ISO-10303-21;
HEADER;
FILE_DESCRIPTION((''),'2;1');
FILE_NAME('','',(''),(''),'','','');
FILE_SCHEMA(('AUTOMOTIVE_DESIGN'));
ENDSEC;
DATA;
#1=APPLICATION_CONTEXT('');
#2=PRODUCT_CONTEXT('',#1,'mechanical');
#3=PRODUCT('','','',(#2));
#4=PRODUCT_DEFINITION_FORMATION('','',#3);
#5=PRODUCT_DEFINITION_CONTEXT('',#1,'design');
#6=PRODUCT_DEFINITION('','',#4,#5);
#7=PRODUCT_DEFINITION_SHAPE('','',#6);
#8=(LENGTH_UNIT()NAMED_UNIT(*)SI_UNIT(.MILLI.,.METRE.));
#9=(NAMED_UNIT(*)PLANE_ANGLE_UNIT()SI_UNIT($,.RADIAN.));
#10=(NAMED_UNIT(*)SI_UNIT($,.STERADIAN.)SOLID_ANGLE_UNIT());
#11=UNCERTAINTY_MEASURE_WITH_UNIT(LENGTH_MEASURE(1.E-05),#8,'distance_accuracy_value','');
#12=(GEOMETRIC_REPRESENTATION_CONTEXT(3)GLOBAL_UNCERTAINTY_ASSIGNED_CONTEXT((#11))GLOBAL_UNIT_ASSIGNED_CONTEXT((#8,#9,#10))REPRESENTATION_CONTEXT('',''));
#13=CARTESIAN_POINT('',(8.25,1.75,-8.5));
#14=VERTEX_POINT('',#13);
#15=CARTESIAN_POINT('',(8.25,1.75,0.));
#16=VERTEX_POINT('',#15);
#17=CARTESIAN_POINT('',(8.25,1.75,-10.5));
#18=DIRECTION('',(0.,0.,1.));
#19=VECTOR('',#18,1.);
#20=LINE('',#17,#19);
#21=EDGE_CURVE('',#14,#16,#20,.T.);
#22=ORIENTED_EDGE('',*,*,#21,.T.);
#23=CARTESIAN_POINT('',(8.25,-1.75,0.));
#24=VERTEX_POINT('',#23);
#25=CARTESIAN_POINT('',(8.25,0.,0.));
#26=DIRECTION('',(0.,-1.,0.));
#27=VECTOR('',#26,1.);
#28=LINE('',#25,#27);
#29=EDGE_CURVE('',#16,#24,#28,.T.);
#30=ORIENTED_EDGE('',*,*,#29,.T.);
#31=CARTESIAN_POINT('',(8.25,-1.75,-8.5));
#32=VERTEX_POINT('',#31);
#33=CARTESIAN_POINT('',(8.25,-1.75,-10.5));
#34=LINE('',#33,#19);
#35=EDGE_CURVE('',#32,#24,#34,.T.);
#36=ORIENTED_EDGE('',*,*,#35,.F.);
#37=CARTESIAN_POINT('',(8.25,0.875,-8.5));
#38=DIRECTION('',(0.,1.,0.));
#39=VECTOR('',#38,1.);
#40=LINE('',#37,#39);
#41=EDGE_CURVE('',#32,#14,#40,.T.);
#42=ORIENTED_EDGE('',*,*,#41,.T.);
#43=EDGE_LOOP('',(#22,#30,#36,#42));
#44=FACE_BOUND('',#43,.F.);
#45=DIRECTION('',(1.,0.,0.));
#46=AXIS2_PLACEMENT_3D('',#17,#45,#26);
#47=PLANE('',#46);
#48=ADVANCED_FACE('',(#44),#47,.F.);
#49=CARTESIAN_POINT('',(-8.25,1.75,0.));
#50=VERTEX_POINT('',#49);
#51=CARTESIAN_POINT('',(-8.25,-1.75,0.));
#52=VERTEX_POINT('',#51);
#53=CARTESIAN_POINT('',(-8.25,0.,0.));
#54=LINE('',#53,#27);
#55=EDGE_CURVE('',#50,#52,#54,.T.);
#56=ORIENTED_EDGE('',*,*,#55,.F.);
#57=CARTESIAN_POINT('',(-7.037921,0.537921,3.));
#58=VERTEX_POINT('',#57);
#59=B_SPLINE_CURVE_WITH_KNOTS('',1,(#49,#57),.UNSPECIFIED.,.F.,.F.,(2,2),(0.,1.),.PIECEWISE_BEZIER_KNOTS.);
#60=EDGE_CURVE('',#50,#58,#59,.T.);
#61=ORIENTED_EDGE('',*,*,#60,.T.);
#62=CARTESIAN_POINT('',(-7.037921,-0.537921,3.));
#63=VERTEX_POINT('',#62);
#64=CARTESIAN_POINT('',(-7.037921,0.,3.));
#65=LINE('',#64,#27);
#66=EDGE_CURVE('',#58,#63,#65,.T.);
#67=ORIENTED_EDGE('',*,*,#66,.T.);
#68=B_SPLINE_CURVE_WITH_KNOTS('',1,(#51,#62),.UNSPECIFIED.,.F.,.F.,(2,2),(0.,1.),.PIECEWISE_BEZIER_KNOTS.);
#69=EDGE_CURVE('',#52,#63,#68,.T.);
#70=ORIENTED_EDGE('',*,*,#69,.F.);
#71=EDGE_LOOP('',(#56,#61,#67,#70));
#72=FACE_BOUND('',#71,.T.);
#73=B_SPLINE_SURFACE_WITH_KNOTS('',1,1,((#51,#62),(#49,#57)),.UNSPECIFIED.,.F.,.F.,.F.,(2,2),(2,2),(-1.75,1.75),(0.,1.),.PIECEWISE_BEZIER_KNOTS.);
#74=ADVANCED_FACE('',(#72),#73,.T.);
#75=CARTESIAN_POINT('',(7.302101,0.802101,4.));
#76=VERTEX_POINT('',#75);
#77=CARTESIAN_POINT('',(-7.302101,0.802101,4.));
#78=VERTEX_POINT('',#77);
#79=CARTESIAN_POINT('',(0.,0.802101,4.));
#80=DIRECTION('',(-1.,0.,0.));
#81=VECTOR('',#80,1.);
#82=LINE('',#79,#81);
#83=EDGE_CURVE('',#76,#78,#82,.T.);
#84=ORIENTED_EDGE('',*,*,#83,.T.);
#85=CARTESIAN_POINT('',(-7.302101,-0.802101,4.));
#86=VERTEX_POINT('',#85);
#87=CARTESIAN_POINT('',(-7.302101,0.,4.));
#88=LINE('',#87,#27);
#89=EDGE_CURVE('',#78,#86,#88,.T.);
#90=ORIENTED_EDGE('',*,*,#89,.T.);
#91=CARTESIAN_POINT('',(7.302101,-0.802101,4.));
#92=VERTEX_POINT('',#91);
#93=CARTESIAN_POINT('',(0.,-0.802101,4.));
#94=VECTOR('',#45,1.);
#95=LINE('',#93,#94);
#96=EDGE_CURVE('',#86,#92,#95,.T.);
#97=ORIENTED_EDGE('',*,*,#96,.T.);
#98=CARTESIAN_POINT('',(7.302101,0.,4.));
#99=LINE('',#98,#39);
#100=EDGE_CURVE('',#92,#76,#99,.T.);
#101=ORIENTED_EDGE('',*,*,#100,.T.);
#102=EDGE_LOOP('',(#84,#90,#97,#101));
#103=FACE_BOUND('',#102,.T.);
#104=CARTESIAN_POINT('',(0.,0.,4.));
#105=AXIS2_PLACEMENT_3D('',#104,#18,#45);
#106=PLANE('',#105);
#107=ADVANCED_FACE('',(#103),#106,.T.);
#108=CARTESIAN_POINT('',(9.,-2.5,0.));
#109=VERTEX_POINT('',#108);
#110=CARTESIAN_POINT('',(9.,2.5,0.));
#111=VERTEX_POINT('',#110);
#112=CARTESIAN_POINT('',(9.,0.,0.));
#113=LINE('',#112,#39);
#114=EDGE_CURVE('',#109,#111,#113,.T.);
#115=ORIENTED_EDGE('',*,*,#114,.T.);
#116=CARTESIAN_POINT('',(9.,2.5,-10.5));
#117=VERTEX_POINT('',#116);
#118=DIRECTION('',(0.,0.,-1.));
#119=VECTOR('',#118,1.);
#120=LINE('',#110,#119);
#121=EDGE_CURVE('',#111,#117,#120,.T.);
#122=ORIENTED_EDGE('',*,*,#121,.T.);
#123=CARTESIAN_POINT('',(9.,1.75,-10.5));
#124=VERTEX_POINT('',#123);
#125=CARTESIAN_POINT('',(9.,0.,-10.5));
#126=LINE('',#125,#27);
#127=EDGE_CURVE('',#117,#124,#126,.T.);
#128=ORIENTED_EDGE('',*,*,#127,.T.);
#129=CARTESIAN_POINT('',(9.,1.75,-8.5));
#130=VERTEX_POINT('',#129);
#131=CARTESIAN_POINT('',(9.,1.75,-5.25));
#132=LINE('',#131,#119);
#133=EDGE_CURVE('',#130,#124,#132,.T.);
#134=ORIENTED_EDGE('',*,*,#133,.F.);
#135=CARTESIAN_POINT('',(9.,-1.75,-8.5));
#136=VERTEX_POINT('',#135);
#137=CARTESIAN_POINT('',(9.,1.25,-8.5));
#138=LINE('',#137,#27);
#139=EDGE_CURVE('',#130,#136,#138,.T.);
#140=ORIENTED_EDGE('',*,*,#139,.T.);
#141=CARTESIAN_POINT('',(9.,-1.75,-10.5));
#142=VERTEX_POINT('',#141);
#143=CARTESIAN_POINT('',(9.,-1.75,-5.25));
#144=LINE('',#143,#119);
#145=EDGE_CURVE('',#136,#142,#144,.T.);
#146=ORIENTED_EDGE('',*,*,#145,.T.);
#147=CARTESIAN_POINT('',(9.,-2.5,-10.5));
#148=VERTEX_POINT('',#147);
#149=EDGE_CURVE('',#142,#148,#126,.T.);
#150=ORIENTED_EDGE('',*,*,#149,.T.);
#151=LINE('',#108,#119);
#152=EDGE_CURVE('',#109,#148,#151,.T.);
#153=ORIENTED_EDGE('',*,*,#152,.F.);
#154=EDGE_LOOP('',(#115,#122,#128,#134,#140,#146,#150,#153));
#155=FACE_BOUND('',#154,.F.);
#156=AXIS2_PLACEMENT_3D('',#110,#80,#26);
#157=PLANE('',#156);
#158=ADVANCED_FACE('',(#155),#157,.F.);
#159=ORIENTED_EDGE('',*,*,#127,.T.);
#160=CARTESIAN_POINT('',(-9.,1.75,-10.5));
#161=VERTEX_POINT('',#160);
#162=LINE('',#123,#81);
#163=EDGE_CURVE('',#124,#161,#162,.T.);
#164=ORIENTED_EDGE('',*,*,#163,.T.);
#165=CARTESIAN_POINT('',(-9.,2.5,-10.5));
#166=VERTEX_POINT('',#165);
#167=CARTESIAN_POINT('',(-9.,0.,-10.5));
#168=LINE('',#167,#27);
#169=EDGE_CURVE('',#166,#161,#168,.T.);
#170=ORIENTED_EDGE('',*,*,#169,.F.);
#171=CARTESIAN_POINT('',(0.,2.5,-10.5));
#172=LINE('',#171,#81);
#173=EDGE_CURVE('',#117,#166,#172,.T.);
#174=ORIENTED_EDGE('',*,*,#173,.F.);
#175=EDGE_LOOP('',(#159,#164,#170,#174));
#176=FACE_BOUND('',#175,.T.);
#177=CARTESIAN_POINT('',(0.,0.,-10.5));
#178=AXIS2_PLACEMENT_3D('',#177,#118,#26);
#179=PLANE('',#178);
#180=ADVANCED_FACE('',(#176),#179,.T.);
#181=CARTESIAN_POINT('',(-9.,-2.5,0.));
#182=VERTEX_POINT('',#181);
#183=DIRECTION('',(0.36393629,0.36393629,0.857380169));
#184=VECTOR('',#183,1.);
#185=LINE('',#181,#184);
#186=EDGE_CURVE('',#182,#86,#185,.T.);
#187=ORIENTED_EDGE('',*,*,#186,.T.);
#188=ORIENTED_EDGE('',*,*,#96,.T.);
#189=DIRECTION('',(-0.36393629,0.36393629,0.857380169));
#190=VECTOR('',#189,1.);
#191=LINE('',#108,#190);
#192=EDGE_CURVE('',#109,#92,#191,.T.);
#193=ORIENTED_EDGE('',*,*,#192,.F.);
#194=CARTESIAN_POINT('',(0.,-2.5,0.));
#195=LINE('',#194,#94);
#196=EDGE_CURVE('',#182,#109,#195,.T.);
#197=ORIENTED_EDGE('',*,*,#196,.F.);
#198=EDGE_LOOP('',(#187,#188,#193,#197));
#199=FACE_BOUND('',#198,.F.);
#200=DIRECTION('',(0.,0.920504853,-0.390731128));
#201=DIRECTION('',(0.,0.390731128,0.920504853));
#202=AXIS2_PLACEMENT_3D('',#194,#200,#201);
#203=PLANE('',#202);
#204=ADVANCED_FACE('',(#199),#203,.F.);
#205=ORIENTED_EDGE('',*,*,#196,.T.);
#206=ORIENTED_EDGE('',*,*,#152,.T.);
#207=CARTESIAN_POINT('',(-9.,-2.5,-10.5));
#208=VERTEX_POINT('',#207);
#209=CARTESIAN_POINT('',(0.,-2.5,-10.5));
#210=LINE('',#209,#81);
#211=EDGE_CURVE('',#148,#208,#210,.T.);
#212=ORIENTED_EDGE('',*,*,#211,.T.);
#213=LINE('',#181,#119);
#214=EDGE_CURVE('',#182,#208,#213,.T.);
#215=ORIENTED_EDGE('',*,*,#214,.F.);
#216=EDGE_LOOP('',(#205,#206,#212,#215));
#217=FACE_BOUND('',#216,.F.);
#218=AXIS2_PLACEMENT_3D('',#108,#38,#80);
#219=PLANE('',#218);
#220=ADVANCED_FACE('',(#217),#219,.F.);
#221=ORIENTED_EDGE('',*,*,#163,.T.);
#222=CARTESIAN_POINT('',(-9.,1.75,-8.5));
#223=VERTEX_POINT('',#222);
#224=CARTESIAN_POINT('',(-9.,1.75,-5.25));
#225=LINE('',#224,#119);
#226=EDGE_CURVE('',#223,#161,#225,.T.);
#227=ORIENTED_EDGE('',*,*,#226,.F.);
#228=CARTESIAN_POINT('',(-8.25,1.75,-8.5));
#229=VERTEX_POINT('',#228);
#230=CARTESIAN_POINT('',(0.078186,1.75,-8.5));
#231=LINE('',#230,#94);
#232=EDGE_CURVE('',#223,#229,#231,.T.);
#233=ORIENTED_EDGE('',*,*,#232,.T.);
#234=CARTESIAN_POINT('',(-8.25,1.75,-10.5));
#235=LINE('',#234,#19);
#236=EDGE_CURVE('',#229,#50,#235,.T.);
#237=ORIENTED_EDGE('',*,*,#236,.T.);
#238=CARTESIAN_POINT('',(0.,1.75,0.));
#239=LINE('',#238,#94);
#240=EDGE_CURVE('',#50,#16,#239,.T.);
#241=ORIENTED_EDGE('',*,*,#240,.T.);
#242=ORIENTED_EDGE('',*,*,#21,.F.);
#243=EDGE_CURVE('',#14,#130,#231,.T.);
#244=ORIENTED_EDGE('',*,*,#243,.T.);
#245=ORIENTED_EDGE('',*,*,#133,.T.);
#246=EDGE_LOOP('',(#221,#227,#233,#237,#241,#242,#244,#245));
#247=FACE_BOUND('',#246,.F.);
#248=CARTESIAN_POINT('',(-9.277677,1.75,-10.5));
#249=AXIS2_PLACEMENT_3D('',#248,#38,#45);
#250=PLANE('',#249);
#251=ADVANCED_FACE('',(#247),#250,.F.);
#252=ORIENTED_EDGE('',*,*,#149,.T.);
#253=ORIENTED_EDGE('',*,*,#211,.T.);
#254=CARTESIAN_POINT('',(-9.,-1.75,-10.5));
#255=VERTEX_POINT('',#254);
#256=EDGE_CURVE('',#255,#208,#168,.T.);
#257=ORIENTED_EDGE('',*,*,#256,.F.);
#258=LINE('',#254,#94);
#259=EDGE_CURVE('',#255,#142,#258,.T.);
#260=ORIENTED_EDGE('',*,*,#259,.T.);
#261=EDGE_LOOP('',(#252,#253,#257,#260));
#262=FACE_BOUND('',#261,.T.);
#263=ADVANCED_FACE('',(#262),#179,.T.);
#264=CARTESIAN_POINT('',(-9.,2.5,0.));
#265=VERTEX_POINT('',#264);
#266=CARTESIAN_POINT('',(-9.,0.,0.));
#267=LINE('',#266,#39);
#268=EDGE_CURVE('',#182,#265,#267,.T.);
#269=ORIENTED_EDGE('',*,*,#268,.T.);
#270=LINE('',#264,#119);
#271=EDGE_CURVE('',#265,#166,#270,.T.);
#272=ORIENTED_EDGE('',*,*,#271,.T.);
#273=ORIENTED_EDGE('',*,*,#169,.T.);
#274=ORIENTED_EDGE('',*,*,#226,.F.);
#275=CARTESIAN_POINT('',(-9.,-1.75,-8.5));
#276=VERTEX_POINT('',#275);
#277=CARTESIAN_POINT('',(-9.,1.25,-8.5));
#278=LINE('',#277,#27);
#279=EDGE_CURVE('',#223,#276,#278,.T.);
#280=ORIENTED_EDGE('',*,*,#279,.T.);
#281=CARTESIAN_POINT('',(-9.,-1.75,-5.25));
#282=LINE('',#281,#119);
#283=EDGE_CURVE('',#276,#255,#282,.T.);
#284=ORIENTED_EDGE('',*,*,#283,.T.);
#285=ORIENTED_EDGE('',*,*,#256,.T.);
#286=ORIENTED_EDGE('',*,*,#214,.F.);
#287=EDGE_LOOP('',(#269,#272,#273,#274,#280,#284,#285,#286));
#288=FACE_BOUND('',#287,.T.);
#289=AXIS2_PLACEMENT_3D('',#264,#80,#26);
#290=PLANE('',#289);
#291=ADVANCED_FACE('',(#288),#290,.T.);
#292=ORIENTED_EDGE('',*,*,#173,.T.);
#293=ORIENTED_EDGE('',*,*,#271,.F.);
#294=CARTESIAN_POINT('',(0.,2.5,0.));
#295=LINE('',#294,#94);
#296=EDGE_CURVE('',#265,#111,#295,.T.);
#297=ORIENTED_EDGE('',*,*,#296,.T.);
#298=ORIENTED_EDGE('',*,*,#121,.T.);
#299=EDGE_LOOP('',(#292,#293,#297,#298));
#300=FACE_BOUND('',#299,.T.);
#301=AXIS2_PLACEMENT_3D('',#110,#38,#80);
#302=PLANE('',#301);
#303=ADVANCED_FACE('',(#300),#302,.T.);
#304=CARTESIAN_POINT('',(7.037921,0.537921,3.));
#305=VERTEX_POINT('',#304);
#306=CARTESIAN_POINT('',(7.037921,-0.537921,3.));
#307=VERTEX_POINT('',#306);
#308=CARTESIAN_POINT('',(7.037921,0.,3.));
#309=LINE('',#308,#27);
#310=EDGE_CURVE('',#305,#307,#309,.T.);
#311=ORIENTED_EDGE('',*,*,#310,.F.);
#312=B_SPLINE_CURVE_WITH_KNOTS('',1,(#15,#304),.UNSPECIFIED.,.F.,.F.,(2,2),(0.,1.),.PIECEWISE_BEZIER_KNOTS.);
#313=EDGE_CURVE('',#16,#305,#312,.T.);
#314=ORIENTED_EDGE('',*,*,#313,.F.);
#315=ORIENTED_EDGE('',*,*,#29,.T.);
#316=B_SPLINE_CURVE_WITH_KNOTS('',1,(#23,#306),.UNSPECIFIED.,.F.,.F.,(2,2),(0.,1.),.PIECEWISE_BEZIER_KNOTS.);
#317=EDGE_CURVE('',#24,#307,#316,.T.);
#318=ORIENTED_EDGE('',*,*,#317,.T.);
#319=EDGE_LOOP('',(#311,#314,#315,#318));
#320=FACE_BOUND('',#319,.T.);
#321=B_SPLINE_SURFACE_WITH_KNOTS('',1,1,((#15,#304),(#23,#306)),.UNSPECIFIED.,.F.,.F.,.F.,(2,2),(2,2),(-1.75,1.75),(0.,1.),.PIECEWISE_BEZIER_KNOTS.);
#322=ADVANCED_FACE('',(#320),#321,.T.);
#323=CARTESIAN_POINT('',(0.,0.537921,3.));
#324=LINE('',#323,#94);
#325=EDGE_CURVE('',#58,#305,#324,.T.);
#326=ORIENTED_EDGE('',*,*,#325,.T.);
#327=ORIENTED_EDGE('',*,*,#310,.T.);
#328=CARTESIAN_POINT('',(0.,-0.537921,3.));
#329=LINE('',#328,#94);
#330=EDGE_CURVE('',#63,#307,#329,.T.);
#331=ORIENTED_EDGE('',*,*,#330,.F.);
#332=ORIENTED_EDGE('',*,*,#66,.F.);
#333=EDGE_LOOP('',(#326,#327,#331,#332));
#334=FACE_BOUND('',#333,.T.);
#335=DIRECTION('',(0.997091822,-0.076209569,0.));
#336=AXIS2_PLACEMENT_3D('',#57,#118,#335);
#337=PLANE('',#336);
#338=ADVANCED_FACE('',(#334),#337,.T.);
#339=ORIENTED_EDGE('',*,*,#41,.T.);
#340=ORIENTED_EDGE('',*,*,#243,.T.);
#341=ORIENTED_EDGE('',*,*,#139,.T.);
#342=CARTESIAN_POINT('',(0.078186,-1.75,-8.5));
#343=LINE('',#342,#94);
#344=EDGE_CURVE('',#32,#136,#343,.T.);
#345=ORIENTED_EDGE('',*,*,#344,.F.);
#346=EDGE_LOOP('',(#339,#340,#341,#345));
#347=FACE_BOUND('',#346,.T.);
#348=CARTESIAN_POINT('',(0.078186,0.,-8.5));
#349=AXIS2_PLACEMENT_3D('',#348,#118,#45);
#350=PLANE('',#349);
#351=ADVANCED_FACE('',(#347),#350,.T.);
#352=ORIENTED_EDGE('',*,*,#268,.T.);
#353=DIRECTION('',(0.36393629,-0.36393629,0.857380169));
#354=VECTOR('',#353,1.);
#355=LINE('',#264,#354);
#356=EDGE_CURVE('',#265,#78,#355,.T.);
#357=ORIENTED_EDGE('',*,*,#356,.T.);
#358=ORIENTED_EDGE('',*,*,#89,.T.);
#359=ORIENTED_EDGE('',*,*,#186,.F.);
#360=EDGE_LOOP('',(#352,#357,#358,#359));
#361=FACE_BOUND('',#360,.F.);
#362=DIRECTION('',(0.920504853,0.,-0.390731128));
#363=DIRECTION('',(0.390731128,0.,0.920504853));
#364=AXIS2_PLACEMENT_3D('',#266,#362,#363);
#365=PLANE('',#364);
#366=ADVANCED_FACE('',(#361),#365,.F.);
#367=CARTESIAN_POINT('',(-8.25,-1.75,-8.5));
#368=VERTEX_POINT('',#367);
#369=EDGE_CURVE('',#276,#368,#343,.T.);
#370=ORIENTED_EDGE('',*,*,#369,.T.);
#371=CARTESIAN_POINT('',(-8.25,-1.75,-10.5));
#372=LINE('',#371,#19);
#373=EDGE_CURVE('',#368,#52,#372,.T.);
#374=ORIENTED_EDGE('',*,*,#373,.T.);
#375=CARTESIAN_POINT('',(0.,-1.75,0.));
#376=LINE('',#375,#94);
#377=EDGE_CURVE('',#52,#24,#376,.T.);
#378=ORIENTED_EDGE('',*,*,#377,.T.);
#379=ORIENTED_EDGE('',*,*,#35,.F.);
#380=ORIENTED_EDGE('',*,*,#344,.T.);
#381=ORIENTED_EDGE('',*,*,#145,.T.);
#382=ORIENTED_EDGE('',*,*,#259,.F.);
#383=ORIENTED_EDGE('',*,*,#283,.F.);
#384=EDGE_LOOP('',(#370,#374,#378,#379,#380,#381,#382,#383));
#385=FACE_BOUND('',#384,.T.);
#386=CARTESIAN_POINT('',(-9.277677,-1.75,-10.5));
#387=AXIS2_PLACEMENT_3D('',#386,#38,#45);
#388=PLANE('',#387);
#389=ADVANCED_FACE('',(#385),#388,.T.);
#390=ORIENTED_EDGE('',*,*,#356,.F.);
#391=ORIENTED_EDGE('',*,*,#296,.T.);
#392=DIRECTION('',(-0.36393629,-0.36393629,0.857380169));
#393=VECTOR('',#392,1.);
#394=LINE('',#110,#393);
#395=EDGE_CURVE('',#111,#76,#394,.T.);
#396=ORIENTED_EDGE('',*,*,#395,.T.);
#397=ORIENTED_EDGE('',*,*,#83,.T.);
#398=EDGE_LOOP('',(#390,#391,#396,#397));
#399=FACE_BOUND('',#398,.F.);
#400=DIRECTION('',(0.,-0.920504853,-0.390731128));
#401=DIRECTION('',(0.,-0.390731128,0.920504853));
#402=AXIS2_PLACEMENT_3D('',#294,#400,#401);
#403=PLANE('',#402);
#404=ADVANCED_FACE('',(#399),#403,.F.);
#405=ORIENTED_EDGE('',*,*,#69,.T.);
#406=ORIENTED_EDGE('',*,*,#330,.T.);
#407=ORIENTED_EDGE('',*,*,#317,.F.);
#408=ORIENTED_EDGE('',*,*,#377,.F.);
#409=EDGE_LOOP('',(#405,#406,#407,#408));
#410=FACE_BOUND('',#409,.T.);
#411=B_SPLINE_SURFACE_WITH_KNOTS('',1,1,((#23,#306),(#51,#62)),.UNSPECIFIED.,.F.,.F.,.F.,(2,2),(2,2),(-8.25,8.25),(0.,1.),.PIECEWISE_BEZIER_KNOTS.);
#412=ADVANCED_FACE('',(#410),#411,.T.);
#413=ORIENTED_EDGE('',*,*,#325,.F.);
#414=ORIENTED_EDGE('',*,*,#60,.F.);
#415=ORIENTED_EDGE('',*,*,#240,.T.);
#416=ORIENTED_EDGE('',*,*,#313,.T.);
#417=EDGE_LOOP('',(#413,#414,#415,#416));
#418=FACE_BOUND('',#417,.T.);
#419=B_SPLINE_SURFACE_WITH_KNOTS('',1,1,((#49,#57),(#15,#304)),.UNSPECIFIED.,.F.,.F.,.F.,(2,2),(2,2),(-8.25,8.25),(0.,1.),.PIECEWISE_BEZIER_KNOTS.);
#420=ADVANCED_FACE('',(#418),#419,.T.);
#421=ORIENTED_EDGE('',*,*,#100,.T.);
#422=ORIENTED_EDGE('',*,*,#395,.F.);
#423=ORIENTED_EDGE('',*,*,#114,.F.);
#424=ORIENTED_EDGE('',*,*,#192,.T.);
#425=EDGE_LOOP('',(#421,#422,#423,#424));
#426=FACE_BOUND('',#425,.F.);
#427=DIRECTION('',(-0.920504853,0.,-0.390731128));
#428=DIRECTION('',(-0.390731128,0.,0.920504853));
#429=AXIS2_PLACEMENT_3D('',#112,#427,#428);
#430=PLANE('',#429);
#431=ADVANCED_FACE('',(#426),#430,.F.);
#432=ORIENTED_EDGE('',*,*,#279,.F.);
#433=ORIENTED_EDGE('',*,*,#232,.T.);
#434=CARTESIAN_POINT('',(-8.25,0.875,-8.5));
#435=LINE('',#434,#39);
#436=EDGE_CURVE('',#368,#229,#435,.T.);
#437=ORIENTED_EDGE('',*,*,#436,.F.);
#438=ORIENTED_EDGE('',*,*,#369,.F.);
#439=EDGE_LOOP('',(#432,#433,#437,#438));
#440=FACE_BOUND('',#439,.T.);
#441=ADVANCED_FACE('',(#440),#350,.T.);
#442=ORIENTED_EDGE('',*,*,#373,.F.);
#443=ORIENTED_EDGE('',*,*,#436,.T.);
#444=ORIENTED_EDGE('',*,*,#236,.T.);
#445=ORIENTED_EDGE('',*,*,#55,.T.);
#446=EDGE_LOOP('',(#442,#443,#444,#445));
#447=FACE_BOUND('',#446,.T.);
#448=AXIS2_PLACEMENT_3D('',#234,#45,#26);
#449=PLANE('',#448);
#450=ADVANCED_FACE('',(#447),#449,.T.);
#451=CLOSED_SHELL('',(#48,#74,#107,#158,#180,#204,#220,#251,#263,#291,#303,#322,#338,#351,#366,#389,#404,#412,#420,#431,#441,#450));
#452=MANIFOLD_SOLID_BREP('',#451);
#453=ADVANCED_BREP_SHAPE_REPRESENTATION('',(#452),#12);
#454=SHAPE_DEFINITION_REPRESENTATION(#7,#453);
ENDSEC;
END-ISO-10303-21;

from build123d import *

# Parameters (mm, degrees)
SKETCH_W        = 18
SKETCH_H        = 5
PAD_DEPTH       = 4
PAD_TAPER       = 23
PAD_FACE5_W     = 5
PAD_FACE5_H     = 18
PAD001_DEPTH    = 10.5
SKETCH001_W     = 16.5
SKETCH001_H     = 3.5
POCKET_DEPTH    = 10.5
SKETCH002_W     = 16.5
SKETCH002_H     = 3.5
POCKET001_DEPTH = 3
POCKET001_TAPER = 22
SKETCH003_W     = 18.711727
SKETCH003_H     = 3.5
POCKET002_DEPTH = 2


with BuildPart() as part:
    # Sketch → Pad (new body)
    with BuildSketch(Plane.XY):
        Rectangle(SKETCH_W, SKETCH_H)
    extrude(amount=PAD_DEPTH, taper=PAD_TAPER)

    # Pad Face5 → Pad001 (add)
    with BuildSketch(Plane(origin=(0, 0, 0), x_dir=(0, -1, 0), z_dir=(0, 0, -1))):
        Rectangle(PAD_FACE5_W, PAD_FACE5_H)
    extrude(amount=PAD001_DEPTH)

    # Sketch001 (on Face8 of Pad001) → Pocket (cut)
    with BuildSketch(Plane(origin=(0, 0, -10.5), x_dir=(1, 0, 0), z_dir=(0, 0, -1))):
        Rectangle(SKETCH001_W, SKETCH001_H)
    extrude(amount=-POCKET_DEPTH, mode=Mode.SUBTRACT)

    # Sketch002 (on Face15 of Pocket) → Pocket001 (cut)
    with BuildSketch(Plane(origin=(0, 0, 0), x_dir=(1, 0, 0), z_dir=(0, 0, -1))):
        Rectangle(SKETCH002_W, SKETCH002_H)
    extrude(amount=-POCKET001_DEPTH, taper=POCKET001_TAPER, mode=Mode.SUBTRACT)

    # Sketch003 (on Face8 of Pocket001) → Pocket002 (cut)
    with BuildSketch(Plane(origin=(0, 0, -10.5), x_dir=(1, 0, 0), z_dir=(0, 0, -1))):
        with Locations((0.078186, 0)):
            Rectangle(SKETCH003_W, SKETCH003_H)
    extrude(amount=-POCKET002_DEPTH, mode=Mode.SUBTRACT)


solid = part.part
